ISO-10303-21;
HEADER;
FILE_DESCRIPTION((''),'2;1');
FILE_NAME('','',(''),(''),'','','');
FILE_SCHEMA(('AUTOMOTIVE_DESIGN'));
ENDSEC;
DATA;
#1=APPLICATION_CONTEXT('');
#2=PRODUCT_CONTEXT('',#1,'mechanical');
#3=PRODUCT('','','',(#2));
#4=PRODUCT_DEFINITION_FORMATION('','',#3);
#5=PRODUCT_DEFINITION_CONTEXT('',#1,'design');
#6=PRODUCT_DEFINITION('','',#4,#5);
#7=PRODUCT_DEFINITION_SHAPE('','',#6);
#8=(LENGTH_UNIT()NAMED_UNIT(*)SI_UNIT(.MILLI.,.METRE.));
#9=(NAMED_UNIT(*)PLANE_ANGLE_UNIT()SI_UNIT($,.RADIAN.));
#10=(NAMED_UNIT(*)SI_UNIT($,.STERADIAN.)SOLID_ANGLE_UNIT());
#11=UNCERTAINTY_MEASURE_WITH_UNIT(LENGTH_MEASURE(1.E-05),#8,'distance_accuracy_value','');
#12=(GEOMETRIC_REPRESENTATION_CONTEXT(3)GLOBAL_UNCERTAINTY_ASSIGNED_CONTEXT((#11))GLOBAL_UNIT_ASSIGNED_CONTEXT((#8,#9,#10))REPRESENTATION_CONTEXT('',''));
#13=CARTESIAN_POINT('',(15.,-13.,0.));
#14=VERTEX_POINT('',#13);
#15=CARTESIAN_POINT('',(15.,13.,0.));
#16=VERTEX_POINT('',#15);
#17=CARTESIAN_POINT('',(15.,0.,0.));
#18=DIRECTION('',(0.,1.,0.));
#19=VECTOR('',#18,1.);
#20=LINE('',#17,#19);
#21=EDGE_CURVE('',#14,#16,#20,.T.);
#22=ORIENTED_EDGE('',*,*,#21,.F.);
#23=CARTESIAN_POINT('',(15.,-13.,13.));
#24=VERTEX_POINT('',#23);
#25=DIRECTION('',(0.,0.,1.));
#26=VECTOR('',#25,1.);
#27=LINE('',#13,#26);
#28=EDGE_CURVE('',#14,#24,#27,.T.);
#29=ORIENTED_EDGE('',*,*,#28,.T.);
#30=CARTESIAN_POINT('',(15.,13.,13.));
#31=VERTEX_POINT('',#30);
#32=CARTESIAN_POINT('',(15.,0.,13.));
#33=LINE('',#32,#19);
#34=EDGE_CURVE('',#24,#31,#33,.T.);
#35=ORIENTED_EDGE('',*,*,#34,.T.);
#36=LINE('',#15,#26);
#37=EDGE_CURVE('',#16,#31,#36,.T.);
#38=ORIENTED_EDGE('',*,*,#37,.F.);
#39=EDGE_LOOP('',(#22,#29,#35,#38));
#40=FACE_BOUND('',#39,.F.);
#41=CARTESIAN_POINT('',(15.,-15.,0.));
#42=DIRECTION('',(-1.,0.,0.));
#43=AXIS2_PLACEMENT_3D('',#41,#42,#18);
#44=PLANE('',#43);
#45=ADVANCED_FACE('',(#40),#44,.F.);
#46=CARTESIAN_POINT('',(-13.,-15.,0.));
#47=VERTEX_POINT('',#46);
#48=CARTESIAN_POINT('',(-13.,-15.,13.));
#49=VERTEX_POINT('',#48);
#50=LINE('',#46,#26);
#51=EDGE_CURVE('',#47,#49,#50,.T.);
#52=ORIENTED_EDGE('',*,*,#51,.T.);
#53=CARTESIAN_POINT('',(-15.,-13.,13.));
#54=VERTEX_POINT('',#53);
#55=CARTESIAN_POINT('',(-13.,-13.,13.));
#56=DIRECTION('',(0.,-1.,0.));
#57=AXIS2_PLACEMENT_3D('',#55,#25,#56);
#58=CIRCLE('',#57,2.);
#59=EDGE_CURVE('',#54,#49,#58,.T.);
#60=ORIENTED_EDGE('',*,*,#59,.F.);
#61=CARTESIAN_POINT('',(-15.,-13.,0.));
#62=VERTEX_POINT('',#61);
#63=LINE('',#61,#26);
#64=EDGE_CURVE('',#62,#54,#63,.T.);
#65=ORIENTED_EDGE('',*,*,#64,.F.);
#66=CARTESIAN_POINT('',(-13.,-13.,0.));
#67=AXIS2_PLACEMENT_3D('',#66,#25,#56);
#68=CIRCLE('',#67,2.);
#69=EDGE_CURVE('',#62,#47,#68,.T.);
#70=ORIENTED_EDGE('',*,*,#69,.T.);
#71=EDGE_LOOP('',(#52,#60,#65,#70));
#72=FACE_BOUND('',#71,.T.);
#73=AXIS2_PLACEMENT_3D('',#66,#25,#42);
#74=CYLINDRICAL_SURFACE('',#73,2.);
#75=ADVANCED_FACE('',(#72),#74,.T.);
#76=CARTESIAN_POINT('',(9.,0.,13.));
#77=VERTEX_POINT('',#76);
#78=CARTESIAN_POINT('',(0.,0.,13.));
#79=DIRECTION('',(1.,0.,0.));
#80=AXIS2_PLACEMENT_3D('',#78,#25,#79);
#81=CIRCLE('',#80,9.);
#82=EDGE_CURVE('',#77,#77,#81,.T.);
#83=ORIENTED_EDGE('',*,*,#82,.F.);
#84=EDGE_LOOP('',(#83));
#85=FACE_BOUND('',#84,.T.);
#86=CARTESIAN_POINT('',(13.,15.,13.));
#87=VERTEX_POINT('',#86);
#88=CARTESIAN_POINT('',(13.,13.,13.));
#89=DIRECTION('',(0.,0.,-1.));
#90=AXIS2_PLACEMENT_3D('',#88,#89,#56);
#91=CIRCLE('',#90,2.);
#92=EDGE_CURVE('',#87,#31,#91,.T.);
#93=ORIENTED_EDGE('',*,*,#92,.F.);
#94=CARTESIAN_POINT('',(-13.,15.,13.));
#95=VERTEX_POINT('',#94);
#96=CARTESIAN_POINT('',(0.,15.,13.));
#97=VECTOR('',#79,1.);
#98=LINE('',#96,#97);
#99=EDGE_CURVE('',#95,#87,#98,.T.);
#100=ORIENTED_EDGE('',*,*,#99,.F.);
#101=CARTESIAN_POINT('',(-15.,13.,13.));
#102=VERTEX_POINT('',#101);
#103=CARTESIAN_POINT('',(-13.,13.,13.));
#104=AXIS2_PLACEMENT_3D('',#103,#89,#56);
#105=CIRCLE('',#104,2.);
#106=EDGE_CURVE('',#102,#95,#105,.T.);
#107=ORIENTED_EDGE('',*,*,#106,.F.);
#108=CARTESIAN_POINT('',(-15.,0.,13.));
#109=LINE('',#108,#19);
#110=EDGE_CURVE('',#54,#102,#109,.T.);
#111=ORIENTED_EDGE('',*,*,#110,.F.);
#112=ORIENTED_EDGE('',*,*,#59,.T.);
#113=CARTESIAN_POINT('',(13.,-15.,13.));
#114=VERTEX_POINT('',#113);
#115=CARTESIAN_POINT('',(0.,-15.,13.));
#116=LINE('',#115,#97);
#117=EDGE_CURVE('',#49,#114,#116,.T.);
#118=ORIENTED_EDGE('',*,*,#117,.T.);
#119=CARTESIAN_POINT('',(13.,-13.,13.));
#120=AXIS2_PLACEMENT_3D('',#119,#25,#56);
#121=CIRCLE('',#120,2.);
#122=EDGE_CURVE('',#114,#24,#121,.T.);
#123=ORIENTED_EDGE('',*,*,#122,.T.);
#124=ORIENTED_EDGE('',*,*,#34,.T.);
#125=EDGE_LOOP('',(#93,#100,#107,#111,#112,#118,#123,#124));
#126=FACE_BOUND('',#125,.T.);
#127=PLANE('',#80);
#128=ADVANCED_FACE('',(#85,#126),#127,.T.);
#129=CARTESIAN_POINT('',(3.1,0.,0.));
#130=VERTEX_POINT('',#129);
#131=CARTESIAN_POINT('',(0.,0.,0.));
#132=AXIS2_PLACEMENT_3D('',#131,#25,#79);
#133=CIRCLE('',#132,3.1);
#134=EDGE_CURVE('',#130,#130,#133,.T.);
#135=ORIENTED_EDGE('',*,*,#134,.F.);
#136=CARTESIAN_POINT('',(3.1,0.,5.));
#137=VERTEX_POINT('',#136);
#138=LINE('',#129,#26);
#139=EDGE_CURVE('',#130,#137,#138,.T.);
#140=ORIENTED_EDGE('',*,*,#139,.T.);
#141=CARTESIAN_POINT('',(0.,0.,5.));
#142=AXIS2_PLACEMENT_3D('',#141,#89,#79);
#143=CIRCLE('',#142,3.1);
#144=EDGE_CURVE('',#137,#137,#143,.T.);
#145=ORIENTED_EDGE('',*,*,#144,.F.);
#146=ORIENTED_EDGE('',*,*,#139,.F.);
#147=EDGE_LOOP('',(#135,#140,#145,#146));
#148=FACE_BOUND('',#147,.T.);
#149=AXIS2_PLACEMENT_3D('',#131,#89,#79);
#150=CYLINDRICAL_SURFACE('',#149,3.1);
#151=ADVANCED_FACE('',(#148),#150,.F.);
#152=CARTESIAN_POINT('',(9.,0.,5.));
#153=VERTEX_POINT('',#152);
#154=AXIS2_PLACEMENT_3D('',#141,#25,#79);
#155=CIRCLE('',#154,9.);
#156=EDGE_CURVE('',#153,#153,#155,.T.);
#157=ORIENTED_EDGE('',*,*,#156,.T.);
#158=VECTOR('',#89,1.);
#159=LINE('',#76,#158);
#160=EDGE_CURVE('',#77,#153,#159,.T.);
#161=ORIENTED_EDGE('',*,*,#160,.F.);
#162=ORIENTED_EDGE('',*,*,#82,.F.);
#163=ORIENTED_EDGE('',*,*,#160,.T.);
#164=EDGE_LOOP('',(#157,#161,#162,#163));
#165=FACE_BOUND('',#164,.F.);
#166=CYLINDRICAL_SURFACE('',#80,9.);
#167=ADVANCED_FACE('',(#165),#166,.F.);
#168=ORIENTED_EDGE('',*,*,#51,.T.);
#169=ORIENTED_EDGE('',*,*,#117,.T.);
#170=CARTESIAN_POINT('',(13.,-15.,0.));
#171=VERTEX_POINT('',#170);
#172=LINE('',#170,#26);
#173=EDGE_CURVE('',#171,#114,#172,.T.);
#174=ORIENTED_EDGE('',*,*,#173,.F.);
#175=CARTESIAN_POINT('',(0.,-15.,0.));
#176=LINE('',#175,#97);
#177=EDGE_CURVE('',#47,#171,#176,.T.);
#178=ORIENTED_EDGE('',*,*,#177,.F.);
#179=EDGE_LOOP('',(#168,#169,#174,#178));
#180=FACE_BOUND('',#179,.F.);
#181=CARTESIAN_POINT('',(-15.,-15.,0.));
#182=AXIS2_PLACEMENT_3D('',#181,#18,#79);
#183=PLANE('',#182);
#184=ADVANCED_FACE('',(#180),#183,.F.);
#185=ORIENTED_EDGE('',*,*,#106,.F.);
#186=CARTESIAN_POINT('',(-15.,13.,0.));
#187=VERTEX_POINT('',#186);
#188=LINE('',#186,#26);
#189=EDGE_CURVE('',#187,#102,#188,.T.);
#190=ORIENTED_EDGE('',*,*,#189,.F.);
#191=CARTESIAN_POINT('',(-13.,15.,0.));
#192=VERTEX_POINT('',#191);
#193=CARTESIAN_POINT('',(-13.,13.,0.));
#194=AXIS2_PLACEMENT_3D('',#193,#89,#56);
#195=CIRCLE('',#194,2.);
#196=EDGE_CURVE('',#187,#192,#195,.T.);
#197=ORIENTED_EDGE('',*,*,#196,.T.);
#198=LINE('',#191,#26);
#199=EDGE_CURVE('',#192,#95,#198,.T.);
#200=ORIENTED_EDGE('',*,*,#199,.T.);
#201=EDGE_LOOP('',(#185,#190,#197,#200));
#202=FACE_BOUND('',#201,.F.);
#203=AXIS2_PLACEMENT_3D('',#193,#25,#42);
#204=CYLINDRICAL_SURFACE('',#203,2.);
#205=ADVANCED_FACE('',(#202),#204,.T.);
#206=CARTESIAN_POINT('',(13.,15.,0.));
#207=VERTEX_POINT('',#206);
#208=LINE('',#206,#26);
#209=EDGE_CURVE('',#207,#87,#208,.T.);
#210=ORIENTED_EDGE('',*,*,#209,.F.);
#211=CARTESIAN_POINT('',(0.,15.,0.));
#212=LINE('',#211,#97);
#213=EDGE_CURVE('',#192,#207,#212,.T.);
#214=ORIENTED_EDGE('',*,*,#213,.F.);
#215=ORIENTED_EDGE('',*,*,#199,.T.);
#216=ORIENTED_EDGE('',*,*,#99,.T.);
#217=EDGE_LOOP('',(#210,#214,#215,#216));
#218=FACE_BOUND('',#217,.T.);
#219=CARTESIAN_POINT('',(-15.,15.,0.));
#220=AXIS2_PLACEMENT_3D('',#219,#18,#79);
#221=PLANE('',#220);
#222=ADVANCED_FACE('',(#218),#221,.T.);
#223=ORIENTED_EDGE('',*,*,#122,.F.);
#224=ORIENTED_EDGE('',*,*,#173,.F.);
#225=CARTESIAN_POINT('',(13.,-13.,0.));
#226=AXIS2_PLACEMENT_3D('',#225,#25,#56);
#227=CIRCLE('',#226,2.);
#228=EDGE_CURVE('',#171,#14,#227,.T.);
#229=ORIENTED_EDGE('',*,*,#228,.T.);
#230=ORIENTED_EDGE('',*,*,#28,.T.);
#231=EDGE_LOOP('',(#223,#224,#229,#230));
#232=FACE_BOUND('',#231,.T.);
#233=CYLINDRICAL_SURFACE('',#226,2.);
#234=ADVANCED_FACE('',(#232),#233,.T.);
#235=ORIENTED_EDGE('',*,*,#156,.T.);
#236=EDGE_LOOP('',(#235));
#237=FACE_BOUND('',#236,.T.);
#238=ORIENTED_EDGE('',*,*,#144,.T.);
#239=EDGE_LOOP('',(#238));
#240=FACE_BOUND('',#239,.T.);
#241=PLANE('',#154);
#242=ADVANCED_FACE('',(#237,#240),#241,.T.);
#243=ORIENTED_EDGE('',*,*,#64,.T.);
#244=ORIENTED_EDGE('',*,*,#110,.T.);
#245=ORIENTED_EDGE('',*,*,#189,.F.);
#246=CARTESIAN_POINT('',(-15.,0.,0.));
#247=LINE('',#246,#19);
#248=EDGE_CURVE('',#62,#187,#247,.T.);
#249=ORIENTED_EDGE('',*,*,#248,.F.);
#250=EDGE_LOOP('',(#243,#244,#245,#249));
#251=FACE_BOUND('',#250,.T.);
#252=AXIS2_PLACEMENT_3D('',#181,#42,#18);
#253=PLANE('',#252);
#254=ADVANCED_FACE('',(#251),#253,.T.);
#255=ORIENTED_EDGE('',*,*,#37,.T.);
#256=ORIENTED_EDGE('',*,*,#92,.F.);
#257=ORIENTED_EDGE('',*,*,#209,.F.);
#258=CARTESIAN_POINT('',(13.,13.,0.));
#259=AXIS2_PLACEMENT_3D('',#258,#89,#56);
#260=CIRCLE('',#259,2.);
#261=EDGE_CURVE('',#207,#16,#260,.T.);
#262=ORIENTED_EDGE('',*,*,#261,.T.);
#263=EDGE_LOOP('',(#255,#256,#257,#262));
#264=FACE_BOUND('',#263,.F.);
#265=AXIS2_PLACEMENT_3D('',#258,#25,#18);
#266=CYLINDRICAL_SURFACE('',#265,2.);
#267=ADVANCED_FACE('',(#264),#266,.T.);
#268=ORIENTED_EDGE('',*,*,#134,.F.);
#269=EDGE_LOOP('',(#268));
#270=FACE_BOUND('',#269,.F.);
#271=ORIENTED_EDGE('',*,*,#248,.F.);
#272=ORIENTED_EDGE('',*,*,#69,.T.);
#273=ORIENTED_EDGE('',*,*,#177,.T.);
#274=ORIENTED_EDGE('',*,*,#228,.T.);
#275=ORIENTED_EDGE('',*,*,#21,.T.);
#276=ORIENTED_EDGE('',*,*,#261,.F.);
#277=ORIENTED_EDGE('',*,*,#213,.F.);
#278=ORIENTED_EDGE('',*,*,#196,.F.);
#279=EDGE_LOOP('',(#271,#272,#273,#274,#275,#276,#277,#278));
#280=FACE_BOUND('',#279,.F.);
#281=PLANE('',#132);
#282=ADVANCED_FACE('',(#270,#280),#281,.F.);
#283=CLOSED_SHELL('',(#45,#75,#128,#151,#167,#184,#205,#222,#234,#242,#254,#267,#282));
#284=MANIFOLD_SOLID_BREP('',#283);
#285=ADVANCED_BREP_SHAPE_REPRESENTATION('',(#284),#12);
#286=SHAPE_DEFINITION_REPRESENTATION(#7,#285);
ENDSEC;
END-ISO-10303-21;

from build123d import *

# Parameters (mm, degrees)
SKETCH1_W           = 30
SKETCH1_H           = 30
SKETCH1_R           = 3.1
BOSS_EXTRUDE1_DEPTH = 13
SKETCH2_R           = 9
CUT_EXTRUDE1_DEPTH  = 8
FILLET1_R           = 2


with BuildPart() as part:
    # Sketch1 → Boss-Extrude1 (new body)
    with BuildSketch(Plane.XY):
        Rectangle(SKETCH1_W, SKETCH1_H)
        Circle(SKETCH1_R, mode=Mode.SUBTRACT)
    extrude(amount=BOSS_EXTRUDE1_DEPTH)

    # Sketch2 → Cut-Extrude1 (cut)
    with BuildSketch(Plane.XY.offset(13)):
        Circle(SKETCH2_R)
    extrude(amount=-CUT_EXTRUDE1_DEPTH, mode=Mode.SUBTRACT)

    # Fillet1
    fillet1_edges = [part.edges().sort_by_distance(p)[0] for p in [
        (15, -15, 6.5),
        (-15, -15, 6.5),
        (-15, 15, 6.5),
        (15, 15, 6.5),
    ]]
    fillet(fillet1_edges, radius=FILLET1_R)


solid = part.part
